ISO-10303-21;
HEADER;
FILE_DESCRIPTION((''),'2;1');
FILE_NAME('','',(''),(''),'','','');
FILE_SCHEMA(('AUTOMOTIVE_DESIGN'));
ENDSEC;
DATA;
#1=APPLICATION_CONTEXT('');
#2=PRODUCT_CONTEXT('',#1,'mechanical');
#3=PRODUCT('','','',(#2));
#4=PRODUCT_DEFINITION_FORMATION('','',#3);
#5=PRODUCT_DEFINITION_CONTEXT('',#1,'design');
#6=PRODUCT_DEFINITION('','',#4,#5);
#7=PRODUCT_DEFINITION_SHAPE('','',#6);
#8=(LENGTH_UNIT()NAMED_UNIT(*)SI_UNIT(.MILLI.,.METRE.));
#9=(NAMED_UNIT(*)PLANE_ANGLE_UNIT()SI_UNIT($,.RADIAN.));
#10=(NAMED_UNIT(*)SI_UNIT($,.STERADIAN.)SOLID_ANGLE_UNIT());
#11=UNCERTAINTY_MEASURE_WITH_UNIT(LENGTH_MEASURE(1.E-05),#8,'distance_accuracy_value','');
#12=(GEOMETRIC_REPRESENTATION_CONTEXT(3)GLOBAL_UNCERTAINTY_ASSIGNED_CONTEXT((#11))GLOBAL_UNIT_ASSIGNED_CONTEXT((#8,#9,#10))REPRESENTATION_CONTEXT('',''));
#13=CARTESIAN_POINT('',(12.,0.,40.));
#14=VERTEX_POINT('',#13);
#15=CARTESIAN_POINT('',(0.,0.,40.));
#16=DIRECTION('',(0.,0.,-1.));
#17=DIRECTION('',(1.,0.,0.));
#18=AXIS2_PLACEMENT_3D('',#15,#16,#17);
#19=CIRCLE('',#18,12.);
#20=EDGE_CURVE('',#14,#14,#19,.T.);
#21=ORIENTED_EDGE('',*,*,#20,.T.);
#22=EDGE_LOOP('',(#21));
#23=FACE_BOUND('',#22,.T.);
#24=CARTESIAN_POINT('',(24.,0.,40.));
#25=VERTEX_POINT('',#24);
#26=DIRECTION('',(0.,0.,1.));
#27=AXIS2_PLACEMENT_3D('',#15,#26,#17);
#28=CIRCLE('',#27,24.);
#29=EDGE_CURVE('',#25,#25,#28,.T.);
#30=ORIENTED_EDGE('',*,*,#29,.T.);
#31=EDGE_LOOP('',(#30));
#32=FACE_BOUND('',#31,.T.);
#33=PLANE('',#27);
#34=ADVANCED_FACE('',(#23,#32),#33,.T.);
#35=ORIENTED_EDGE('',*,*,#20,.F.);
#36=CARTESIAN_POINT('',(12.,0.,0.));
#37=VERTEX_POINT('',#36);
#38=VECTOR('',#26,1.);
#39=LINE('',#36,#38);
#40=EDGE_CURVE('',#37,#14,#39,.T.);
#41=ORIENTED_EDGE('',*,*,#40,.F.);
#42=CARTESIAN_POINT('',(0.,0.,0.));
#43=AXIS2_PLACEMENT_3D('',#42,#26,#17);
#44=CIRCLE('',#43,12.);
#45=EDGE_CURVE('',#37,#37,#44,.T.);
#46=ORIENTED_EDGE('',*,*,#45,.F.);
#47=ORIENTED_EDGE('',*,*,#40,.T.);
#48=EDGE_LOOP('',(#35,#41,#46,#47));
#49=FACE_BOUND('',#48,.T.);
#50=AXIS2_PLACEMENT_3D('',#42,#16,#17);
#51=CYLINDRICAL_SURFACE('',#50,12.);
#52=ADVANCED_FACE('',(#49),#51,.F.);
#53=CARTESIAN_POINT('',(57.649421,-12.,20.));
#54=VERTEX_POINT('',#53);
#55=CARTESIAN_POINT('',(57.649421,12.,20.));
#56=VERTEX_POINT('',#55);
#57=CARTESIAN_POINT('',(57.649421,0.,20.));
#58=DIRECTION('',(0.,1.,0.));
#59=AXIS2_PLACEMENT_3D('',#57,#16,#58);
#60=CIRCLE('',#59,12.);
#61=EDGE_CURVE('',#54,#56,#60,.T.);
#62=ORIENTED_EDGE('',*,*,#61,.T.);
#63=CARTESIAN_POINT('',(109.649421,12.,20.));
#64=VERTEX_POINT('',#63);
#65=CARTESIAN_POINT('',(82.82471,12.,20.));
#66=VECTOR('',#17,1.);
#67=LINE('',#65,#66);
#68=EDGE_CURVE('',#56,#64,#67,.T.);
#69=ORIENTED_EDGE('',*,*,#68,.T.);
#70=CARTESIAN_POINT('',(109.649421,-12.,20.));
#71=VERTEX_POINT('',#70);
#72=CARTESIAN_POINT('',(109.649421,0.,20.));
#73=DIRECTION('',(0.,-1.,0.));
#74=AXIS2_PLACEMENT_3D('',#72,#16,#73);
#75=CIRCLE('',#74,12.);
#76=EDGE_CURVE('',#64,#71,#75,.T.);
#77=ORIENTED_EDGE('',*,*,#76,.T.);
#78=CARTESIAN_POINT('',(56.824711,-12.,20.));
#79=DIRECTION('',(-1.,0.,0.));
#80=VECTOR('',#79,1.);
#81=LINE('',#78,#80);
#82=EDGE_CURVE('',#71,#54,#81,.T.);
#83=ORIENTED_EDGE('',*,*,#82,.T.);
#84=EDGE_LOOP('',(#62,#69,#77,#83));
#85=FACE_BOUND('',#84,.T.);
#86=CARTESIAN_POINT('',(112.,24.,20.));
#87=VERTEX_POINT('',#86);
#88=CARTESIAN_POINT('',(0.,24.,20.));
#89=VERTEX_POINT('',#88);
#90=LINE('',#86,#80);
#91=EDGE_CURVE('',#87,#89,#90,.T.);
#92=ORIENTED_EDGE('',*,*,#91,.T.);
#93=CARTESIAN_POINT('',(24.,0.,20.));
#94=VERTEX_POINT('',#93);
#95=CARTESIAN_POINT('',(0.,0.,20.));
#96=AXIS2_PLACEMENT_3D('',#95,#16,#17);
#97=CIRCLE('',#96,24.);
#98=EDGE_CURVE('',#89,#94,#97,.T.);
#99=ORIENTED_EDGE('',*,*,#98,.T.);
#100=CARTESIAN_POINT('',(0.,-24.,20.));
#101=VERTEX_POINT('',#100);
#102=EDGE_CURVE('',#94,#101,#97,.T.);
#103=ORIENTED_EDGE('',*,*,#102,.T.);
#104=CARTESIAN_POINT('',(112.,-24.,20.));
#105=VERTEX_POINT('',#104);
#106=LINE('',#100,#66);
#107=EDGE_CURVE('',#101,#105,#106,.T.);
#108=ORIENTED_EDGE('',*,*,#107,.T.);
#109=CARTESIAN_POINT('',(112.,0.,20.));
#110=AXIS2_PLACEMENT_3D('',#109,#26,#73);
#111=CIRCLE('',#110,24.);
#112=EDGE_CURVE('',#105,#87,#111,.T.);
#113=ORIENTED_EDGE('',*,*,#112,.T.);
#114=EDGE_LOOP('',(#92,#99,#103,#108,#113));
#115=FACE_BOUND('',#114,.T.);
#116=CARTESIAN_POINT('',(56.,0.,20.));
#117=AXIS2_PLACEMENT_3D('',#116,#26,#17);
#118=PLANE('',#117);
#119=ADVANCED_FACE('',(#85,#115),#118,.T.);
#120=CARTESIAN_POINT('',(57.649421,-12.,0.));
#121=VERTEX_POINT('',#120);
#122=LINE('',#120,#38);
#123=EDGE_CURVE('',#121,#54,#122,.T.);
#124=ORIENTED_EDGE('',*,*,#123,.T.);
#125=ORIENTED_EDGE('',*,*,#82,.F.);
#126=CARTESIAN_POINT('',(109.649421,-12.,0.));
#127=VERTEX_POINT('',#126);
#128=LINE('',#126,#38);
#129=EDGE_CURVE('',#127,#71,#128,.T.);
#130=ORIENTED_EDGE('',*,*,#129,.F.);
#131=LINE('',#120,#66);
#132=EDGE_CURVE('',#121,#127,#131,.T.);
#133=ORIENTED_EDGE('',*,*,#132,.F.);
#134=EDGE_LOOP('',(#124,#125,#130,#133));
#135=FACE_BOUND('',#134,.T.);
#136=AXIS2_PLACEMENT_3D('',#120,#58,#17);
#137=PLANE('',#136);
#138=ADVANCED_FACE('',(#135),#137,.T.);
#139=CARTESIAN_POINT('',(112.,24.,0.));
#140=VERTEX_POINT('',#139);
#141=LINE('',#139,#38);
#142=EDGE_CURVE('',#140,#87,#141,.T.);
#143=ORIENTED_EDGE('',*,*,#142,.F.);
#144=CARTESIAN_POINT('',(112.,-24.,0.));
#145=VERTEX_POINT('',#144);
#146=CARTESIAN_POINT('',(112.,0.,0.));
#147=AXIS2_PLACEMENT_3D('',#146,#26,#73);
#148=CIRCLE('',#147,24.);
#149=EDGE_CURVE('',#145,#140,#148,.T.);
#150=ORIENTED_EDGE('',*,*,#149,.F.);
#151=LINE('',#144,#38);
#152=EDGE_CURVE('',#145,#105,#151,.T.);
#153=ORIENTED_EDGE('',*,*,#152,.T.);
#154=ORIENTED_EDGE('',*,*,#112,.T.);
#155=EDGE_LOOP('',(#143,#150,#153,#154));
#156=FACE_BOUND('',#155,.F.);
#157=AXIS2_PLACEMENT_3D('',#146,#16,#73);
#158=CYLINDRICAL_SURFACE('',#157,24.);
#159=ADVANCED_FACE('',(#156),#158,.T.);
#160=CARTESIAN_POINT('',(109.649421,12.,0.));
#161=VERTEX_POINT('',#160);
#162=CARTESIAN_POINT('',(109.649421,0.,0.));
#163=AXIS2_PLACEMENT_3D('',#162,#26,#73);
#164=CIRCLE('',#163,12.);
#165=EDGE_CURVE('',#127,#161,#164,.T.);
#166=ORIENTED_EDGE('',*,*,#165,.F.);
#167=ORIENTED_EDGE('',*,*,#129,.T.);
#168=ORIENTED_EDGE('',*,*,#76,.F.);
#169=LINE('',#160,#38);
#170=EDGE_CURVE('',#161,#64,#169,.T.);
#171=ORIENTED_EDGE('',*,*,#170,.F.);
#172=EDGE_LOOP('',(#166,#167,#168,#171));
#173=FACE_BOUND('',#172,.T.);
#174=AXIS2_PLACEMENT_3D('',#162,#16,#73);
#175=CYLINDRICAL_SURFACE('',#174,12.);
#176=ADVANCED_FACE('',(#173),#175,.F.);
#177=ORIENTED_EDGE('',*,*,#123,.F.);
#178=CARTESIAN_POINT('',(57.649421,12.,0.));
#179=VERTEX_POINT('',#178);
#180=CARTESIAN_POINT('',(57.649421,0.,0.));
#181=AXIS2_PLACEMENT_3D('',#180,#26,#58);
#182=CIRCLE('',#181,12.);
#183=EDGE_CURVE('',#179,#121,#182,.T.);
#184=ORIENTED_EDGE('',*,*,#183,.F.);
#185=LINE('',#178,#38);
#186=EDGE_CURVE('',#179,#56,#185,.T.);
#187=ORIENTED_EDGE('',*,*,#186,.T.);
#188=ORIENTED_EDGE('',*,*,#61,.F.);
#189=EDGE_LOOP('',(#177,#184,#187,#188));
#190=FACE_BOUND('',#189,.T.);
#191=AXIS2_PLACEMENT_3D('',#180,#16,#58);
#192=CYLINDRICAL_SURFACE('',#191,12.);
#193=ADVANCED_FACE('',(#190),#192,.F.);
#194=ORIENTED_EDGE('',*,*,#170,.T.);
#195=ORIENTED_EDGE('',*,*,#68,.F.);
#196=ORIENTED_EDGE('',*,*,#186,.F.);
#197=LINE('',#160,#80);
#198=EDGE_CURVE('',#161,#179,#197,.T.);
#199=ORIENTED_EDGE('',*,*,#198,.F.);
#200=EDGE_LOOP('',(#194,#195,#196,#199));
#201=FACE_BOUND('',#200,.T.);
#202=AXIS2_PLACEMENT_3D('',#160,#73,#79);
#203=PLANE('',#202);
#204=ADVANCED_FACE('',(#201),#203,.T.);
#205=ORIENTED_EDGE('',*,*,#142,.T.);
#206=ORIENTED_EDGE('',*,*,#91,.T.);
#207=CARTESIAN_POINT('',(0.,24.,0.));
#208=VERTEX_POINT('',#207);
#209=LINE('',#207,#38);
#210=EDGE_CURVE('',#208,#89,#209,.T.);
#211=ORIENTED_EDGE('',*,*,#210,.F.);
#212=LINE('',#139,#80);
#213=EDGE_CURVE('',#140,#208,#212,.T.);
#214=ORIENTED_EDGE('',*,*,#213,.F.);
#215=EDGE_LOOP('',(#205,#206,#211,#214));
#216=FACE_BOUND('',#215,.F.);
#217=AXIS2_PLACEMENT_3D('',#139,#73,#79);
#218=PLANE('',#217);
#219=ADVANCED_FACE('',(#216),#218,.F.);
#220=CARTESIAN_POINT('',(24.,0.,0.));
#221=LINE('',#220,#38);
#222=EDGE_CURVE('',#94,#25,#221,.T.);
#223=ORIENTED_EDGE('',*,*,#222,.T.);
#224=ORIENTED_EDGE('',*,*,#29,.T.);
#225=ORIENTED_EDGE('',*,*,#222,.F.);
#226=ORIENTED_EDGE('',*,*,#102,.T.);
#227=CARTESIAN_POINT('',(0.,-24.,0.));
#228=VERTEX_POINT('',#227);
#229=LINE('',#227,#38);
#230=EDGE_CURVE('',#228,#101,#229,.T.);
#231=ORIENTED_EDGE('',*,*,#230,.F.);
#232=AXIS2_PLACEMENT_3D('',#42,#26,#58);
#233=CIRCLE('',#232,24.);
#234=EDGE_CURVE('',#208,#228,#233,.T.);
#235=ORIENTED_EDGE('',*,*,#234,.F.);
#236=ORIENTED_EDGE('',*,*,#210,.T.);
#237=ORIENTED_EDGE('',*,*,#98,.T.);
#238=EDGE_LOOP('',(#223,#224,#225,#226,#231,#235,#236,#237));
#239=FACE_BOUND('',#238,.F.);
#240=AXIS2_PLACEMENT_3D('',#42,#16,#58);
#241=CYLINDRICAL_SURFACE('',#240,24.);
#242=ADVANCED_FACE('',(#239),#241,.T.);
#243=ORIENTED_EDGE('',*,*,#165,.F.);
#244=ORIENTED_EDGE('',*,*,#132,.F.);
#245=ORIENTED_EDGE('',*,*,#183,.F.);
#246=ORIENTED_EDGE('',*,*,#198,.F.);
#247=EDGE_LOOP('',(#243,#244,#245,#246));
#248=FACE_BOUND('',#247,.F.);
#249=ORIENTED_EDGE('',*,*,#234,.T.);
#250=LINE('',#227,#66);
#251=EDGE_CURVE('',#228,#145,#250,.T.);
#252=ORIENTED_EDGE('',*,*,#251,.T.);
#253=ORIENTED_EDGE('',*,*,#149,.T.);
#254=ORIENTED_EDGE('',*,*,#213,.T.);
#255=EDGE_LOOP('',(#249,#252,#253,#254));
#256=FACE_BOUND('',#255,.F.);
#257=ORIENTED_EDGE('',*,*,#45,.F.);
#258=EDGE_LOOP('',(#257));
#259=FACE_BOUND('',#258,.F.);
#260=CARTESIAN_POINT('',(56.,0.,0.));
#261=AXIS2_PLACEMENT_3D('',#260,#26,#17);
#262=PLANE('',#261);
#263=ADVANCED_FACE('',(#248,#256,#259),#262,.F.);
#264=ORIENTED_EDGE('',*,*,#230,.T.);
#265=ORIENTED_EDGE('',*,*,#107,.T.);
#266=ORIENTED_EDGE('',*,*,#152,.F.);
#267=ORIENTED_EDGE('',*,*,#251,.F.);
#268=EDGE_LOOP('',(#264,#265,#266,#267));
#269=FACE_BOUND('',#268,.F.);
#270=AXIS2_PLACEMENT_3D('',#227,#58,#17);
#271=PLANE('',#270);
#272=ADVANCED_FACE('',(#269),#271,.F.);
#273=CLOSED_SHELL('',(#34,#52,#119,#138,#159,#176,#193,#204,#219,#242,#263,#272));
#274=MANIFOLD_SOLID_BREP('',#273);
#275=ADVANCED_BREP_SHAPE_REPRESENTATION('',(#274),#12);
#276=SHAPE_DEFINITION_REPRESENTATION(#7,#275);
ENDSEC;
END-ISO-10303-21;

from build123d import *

# Parameters (mm, degrees)
F1_DEPTH = 20
F2_R     = 24
F3_DEPTH = 40
F4_R     = 12
F5_DEPTH = 40.001


with BuildPart() as f1:
    # F0 (on Top) → F1 (new body)
    with BuildSketch(Plane.XY):
        with BuildLine():
            Line((112, 24), (0, 24))
            ThreePointArc((0, 24), (-24, 0), (0, -24))
            Line((0, -24), (112, -24))
            ThreePointArc((112, -24), (136, 0), (112, 24))
        make_face()
    extrude(amount=F1_DEPTH)

    # F2 (on Top) → F3 (join)
    with BuildSketch(Plane.XY):
        Circle(F2_R)
    extrude(amount=F3_DEPTH)

    # F4 (on Top) → F5 (cut, through all)
    with BuildSketch(Plane.XY):
        Circle(F4_R)
        with BuildLine():
            Line((109.649421, 12), (57.649421, 12))
            ThreePointArc((57.649421, 12), (45.649421, 0), (57.649421, -12))
            Line((57.649421, -12), (109.649421, -12))
            ThreePointArc((109.649421, -12), (121.649421, 0), (109.649421, 12))
        make_face()
    extrude(amount=F5_DEPTH, mode=Mode.SUBTRACT)


solid = f1.part
